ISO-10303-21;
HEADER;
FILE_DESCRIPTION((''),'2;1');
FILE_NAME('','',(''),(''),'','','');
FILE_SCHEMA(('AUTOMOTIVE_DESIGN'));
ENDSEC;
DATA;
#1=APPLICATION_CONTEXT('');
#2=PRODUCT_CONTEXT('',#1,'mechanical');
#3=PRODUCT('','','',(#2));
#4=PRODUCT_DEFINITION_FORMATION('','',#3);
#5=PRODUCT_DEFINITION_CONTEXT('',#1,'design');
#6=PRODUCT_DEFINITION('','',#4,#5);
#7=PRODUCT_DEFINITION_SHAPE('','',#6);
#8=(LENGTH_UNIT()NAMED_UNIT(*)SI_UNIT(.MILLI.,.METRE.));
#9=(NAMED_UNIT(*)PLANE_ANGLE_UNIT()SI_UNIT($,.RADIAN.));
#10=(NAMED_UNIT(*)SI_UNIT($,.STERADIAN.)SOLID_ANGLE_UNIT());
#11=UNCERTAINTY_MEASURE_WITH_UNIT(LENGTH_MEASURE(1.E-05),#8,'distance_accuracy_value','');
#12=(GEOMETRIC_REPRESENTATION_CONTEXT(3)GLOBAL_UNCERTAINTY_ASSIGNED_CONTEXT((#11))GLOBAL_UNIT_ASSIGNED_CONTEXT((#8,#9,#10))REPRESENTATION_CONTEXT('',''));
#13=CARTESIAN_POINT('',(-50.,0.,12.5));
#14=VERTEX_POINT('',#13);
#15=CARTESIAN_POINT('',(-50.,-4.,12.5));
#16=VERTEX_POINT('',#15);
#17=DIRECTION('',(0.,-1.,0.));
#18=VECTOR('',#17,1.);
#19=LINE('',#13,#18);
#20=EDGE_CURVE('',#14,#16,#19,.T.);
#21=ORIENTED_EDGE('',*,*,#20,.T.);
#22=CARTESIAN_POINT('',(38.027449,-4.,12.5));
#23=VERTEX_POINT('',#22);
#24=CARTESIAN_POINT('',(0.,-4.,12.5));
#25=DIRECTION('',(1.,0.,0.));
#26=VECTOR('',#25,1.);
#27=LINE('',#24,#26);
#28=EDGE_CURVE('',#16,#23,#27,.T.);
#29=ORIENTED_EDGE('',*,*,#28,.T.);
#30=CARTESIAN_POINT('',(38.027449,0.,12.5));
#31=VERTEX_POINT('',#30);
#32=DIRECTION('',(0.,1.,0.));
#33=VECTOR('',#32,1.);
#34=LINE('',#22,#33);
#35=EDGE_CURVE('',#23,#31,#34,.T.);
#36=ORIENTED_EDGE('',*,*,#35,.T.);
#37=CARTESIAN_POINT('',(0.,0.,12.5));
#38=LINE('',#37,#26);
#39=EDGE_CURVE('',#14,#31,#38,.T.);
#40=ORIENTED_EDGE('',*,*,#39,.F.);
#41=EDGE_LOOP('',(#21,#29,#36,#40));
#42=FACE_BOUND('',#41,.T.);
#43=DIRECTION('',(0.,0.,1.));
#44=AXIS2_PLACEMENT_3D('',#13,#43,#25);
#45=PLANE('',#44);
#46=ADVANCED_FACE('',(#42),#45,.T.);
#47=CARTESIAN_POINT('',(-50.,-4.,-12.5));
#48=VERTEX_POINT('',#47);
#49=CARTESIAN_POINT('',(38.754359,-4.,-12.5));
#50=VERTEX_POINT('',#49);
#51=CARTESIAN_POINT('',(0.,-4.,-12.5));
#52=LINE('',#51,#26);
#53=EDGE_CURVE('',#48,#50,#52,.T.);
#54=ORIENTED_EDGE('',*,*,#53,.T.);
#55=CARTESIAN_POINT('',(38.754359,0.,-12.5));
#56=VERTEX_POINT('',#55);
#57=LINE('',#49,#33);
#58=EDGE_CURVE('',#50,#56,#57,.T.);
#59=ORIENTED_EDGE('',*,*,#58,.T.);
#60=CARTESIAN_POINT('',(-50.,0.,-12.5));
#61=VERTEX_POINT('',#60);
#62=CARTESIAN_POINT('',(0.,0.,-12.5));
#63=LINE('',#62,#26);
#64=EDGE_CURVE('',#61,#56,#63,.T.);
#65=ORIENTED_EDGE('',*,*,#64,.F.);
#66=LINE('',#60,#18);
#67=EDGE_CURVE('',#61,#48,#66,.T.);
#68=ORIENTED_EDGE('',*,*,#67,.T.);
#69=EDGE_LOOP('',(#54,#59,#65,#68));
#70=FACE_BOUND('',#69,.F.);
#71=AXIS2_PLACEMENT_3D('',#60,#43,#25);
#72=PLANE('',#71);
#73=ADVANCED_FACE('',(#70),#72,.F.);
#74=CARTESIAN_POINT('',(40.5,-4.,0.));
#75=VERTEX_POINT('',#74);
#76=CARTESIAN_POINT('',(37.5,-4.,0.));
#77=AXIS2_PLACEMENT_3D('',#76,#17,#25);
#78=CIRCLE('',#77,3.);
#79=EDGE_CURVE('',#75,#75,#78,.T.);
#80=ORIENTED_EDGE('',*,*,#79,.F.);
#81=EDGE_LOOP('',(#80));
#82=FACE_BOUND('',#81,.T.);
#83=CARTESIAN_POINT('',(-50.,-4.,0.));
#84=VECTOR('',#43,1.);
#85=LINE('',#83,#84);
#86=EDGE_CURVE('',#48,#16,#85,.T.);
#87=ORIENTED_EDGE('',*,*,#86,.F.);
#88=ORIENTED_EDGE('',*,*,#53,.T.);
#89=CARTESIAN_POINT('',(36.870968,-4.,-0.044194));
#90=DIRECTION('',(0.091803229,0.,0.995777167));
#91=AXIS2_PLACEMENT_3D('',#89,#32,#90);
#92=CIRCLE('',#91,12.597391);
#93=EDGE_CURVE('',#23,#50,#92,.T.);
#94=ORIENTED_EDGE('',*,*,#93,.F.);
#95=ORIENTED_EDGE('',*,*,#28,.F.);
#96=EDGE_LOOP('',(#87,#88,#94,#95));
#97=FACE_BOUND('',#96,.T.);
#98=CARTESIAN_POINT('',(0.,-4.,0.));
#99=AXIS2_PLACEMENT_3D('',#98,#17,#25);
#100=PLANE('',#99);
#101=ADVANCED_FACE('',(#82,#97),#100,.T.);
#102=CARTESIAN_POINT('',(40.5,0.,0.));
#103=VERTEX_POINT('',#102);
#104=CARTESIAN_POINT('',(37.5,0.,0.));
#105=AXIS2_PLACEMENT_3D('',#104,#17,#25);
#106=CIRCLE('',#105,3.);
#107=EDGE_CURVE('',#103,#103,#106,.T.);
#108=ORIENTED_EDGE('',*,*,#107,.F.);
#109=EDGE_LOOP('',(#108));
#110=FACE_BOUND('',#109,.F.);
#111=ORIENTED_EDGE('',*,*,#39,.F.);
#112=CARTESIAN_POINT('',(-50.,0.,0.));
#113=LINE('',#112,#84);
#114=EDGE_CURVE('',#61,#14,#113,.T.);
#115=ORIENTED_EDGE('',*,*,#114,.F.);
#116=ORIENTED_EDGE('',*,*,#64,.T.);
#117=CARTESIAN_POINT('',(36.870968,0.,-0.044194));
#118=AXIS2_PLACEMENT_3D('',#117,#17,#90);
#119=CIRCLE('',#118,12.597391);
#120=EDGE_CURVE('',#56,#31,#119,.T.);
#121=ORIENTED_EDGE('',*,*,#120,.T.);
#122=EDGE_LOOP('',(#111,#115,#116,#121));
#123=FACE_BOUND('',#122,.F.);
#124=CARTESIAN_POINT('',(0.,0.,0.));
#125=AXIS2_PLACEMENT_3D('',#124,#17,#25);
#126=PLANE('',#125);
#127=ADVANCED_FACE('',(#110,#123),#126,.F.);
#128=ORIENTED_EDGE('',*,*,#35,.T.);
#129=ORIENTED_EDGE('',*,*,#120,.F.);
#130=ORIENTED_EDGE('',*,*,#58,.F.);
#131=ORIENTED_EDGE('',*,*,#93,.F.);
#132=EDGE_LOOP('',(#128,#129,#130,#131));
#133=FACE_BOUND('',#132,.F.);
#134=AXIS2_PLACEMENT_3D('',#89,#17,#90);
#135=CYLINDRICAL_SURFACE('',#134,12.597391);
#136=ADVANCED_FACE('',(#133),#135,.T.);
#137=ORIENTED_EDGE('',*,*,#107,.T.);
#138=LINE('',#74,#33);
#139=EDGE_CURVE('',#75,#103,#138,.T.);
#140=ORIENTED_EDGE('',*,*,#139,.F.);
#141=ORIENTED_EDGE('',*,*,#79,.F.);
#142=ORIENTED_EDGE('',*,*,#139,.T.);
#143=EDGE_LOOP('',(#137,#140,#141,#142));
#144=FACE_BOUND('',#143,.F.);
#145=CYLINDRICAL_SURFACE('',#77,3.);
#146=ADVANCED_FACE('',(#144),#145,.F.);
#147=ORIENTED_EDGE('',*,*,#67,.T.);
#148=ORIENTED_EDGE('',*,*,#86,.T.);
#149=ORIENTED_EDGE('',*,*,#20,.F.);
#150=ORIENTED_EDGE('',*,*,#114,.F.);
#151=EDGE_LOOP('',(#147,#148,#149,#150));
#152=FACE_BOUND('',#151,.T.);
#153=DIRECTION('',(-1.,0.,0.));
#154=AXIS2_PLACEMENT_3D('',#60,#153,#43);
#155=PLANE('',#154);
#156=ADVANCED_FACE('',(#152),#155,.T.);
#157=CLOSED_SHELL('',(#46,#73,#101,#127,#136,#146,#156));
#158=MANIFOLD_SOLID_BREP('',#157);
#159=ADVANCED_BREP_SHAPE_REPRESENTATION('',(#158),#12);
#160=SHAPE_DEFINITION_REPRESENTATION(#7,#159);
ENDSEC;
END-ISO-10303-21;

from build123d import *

# Parameters (mm, degrees)
F0_W     = 100
F0_H     = 25
F1_DEPTH = 4
F4_DEPTH = 4.001
F2_R     = 3
F5_DEPTH = 4.001


with BuildPart() as f1:
    # F0 (on Front) → F1 (new body)
    with BuildSketch(Plane.XZ):
        Rectangle(F0_W, F0_H)
    extrude(amount=F1_DEPTH)

    # F3 (on face) → F4 (cut, through all)
    with BuildSketch(Plane.XZ.offset(4)):
        with BuildLine():
            ThreePointArc((38.027449, 12.5), (49.463037, 0.321938), (38.754359, -12.5))
            Line((38.754359, -12.5), (50, -12.5))
            Line((50, -12.5), (50, 12.5))
            Line((50, 12.5), (38.027449, 12.5))
        make_face()
    extrude(amount=-F4_DEPTH, mode=Mode.SUBTRACT)

    # F2 (on face) → F5 (cut, through all)
    with BuildSketch(Plane.XZ.offset(4)):
        with Locations((37.5, 0)):
            Circle(F2_R)
    extrude(amount=-F5_DEPTH, mode=Mode.SUBTRACT)


solid = f1.part
